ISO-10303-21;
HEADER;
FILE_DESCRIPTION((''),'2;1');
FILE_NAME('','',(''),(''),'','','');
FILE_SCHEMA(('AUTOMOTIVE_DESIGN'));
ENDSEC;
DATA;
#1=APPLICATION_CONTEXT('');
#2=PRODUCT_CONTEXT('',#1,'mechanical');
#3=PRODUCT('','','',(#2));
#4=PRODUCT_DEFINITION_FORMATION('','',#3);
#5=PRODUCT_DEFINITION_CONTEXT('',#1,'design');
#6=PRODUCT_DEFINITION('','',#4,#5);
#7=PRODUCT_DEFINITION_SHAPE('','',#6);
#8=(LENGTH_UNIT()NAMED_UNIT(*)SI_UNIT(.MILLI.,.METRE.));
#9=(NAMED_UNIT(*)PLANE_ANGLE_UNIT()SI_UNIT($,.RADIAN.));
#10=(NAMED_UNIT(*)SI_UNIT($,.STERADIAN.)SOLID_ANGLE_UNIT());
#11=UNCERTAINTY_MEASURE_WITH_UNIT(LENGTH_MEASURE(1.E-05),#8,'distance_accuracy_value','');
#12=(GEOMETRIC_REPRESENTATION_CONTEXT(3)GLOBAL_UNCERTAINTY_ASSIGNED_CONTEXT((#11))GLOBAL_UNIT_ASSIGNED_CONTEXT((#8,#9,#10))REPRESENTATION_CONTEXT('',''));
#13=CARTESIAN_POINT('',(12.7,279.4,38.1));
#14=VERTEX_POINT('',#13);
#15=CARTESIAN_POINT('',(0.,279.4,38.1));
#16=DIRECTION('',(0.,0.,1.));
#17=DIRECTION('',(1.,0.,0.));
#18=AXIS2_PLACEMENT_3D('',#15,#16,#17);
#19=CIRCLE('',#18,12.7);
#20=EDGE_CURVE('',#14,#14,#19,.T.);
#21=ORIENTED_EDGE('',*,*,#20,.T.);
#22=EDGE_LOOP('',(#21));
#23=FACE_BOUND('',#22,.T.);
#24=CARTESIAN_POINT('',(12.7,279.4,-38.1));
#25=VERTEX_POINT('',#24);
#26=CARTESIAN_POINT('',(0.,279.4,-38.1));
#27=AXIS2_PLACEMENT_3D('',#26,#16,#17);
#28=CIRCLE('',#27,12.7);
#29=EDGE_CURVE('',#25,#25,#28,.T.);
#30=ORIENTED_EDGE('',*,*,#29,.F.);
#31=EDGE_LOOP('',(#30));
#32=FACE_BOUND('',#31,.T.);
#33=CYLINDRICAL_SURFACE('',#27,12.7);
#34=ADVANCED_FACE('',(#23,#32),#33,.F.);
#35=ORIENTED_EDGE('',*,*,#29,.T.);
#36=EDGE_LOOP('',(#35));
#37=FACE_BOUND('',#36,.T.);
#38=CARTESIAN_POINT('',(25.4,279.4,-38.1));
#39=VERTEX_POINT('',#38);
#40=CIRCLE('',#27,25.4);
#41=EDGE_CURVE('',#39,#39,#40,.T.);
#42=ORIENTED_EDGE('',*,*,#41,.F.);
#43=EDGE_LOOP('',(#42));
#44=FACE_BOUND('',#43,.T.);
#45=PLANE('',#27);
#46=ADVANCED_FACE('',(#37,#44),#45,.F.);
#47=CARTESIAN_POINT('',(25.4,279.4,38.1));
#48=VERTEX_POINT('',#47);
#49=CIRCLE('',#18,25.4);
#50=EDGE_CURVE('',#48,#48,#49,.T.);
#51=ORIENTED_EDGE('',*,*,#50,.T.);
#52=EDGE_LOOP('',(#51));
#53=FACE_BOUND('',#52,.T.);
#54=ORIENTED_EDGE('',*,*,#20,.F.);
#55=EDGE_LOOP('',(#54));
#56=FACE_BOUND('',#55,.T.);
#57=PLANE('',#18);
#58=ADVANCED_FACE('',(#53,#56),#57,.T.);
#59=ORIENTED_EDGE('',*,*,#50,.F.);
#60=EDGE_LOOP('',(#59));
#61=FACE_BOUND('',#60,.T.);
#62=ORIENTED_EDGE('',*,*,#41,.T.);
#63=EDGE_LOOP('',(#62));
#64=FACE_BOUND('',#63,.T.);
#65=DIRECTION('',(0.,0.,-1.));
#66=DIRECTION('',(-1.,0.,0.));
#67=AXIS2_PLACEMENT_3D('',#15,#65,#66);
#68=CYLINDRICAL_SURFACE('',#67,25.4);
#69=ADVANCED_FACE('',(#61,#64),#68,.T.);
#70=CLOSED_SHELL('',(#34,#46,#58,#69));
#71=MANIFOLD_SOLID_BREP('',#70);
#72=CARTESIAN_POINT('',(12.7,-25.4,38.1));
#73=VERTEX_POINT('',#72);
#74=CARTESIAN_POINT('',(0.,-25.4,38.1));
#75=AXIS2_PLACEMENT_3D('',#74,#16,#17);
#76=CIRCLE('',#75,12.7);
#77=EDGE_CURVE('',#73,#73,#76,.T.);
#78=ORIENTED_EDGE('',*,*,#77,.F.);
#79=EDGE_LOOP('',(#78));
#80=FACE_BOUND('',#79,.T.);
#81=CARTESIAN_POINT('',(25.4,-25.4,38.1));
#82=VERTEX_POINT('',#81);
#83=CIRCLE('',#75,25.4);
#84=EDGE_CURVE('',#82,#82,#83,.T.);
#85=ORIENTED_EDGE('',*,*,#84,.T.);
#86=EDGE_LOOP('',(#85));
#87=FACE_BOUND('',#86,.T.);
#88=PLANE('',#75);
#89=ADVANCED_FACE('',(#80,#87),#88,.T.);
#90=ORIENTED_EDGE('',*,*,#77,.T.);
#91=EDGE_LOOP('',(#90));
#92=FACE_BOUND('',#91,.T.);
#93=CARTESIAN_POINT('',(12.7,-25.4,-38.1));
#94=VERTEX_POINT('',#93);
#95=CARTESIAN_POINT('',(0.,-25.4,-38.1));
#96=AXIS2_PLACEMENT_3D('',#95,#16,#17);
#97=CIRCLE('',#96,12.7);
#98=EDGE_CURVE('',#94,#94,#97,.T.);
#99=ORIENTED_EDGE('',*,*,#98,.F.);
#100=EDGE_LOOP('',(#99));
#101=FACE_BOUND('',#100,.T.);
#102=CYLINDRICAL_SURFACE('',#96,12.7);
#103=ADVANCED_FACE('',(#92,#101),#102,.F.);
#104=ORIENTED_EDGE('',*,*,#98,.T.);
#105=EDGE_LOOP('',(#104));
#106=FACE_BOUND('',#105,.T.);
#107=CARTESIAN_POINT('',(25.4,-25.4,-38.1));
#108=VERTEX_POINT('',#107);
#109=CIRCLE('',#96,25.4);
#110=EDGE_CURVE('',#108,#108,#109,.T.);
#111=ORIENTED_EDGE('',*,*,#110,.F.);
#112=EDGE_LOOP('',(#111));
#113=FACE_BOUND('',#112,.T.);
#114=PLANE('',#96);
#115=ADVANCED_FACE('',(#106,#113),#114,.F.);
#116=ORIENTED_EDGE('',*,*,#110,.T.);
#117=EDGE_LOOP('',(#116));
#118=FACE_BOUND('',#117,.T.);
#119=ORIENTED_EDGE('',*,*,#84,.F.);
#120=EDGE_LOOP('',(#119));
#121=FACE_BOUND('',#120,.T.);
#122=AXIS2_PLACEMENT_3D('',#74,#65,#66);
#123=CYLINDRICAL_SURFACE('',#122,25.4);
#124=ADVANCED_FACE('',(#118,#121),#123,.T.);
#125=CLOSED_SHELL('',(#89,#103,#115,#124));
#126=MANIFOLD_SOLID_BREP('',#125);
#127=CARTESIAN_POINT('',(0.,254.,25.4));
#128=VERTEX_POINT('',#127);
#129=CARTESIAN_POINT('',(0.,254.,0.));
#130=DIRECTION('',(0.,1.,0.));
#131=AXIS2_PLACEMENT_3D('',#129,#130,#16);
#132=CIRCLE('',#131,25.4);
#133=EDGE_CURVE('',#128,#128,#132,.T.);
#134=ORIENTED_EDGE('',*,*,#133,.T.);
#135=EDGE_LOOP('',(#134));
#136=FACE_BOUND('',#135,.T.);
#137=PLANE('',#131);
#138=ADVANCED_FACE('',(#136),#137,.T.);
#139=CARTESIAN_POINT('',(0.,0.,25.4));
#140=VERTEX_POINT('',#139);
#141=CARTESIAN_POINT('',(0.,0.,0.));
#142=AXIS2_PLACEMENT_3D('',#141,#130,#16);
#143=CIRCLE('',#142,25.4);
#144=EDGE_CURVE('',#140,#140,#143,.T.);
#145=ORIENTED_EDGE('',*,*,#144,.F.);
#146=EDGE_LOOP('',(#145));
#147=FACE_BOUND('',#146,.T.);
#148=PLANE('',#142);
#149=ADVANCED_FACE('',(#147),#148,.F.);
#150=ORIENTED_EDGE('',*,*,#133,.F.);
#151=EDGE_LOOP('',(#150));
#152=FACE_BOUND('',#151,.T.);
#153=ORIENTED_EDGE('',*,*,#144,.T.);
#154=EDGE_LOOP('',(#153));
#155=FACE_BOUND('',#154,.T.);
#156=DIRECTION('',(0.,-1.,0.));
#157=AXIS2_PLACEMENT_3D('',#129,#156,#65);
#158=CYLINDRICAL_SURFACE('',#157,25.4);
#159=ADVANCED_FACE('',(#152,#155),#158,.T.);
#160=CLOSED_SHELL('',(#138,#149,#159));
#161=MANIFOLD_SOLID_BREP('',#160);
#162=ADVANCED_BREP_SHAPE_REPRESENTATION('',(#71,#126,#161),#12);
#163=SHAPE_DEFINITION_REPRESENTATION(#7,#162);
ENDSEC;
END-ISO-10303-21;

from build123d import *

# Parameters (mm, degrees)
SKETCH2_R           = 25.4
BOSS_EXTRUDE1_DEPTH = 254
SKETCH3_R           = 25.4
BOSS_EXTRUDE2_DEPTH = 38.1
SKETCH4_R           = 25.4
BOSS_EXTRUDE3_DEPTH = 38.1
SKETCH5_R           = 12.7
CUT_EXTRUDE1_DEPTH  = 77.2
SKETCH6_R           = 12.7
CUT_EXTRUDE2_DEPTH  = 77.2


with BuildPart() as part:
    # Sketch2 → Boss-Extrude1 (new body)
    with BuildSketch(Plane(origin=(0, 0, 0), x_dir=(1, 0, 0), z_dir=(0, 1, 0))):
        Circle(SKETCH2_R)
    extrude(amount=BOSS_EXTRUDE1_DEPTH)


with BuildPart() as body_2:
    # Sketch3 → Boss-Extrude2 (new body, symmetric)
    with BuildSketch(Plane.XY):
        with Locations((0, 279.4)):
            Circle(SKETCH3_R)
    extrude(amount=BOSS_EXTRUDE2_DEPTH, both=True)

    # Sketch5 → Cut-Extrude1 (cut, through all)
    with BuildSketch(Plane.XY.offset(38.1)):
        with Locations((0, 279.4)):
            Circle(SKETCH5_R)
    extrude(amount=-CUT_EXTRUDE1_DEPTH, mode=Mode.SUBTRACT)


with BuildPart() as body_3:
    # Sketch4 → Boss-Extrude3 (new body, symmetric)
    with BuildSketch(Plane.XY):
        with Locations((0, -25.4)):
            Circle(SKETCH4_R)
    extrude(amount=BOSS_EXTRUDE3_DEPTH, both=True)

    # Sketch6 → Cut-Extrude2 (cut, through all)
    with BuildSketch(Plane.XY.offset(38.1)):
        with Locations((0, -25.4)):
            Circle(SKETCH6_R)
    extrude(amount=-CUT_EXTRUDE2_DEPTH, mode=Mode.SUBTRACT)


solid = Compound([part.part, body_2.part, body_3.part])
